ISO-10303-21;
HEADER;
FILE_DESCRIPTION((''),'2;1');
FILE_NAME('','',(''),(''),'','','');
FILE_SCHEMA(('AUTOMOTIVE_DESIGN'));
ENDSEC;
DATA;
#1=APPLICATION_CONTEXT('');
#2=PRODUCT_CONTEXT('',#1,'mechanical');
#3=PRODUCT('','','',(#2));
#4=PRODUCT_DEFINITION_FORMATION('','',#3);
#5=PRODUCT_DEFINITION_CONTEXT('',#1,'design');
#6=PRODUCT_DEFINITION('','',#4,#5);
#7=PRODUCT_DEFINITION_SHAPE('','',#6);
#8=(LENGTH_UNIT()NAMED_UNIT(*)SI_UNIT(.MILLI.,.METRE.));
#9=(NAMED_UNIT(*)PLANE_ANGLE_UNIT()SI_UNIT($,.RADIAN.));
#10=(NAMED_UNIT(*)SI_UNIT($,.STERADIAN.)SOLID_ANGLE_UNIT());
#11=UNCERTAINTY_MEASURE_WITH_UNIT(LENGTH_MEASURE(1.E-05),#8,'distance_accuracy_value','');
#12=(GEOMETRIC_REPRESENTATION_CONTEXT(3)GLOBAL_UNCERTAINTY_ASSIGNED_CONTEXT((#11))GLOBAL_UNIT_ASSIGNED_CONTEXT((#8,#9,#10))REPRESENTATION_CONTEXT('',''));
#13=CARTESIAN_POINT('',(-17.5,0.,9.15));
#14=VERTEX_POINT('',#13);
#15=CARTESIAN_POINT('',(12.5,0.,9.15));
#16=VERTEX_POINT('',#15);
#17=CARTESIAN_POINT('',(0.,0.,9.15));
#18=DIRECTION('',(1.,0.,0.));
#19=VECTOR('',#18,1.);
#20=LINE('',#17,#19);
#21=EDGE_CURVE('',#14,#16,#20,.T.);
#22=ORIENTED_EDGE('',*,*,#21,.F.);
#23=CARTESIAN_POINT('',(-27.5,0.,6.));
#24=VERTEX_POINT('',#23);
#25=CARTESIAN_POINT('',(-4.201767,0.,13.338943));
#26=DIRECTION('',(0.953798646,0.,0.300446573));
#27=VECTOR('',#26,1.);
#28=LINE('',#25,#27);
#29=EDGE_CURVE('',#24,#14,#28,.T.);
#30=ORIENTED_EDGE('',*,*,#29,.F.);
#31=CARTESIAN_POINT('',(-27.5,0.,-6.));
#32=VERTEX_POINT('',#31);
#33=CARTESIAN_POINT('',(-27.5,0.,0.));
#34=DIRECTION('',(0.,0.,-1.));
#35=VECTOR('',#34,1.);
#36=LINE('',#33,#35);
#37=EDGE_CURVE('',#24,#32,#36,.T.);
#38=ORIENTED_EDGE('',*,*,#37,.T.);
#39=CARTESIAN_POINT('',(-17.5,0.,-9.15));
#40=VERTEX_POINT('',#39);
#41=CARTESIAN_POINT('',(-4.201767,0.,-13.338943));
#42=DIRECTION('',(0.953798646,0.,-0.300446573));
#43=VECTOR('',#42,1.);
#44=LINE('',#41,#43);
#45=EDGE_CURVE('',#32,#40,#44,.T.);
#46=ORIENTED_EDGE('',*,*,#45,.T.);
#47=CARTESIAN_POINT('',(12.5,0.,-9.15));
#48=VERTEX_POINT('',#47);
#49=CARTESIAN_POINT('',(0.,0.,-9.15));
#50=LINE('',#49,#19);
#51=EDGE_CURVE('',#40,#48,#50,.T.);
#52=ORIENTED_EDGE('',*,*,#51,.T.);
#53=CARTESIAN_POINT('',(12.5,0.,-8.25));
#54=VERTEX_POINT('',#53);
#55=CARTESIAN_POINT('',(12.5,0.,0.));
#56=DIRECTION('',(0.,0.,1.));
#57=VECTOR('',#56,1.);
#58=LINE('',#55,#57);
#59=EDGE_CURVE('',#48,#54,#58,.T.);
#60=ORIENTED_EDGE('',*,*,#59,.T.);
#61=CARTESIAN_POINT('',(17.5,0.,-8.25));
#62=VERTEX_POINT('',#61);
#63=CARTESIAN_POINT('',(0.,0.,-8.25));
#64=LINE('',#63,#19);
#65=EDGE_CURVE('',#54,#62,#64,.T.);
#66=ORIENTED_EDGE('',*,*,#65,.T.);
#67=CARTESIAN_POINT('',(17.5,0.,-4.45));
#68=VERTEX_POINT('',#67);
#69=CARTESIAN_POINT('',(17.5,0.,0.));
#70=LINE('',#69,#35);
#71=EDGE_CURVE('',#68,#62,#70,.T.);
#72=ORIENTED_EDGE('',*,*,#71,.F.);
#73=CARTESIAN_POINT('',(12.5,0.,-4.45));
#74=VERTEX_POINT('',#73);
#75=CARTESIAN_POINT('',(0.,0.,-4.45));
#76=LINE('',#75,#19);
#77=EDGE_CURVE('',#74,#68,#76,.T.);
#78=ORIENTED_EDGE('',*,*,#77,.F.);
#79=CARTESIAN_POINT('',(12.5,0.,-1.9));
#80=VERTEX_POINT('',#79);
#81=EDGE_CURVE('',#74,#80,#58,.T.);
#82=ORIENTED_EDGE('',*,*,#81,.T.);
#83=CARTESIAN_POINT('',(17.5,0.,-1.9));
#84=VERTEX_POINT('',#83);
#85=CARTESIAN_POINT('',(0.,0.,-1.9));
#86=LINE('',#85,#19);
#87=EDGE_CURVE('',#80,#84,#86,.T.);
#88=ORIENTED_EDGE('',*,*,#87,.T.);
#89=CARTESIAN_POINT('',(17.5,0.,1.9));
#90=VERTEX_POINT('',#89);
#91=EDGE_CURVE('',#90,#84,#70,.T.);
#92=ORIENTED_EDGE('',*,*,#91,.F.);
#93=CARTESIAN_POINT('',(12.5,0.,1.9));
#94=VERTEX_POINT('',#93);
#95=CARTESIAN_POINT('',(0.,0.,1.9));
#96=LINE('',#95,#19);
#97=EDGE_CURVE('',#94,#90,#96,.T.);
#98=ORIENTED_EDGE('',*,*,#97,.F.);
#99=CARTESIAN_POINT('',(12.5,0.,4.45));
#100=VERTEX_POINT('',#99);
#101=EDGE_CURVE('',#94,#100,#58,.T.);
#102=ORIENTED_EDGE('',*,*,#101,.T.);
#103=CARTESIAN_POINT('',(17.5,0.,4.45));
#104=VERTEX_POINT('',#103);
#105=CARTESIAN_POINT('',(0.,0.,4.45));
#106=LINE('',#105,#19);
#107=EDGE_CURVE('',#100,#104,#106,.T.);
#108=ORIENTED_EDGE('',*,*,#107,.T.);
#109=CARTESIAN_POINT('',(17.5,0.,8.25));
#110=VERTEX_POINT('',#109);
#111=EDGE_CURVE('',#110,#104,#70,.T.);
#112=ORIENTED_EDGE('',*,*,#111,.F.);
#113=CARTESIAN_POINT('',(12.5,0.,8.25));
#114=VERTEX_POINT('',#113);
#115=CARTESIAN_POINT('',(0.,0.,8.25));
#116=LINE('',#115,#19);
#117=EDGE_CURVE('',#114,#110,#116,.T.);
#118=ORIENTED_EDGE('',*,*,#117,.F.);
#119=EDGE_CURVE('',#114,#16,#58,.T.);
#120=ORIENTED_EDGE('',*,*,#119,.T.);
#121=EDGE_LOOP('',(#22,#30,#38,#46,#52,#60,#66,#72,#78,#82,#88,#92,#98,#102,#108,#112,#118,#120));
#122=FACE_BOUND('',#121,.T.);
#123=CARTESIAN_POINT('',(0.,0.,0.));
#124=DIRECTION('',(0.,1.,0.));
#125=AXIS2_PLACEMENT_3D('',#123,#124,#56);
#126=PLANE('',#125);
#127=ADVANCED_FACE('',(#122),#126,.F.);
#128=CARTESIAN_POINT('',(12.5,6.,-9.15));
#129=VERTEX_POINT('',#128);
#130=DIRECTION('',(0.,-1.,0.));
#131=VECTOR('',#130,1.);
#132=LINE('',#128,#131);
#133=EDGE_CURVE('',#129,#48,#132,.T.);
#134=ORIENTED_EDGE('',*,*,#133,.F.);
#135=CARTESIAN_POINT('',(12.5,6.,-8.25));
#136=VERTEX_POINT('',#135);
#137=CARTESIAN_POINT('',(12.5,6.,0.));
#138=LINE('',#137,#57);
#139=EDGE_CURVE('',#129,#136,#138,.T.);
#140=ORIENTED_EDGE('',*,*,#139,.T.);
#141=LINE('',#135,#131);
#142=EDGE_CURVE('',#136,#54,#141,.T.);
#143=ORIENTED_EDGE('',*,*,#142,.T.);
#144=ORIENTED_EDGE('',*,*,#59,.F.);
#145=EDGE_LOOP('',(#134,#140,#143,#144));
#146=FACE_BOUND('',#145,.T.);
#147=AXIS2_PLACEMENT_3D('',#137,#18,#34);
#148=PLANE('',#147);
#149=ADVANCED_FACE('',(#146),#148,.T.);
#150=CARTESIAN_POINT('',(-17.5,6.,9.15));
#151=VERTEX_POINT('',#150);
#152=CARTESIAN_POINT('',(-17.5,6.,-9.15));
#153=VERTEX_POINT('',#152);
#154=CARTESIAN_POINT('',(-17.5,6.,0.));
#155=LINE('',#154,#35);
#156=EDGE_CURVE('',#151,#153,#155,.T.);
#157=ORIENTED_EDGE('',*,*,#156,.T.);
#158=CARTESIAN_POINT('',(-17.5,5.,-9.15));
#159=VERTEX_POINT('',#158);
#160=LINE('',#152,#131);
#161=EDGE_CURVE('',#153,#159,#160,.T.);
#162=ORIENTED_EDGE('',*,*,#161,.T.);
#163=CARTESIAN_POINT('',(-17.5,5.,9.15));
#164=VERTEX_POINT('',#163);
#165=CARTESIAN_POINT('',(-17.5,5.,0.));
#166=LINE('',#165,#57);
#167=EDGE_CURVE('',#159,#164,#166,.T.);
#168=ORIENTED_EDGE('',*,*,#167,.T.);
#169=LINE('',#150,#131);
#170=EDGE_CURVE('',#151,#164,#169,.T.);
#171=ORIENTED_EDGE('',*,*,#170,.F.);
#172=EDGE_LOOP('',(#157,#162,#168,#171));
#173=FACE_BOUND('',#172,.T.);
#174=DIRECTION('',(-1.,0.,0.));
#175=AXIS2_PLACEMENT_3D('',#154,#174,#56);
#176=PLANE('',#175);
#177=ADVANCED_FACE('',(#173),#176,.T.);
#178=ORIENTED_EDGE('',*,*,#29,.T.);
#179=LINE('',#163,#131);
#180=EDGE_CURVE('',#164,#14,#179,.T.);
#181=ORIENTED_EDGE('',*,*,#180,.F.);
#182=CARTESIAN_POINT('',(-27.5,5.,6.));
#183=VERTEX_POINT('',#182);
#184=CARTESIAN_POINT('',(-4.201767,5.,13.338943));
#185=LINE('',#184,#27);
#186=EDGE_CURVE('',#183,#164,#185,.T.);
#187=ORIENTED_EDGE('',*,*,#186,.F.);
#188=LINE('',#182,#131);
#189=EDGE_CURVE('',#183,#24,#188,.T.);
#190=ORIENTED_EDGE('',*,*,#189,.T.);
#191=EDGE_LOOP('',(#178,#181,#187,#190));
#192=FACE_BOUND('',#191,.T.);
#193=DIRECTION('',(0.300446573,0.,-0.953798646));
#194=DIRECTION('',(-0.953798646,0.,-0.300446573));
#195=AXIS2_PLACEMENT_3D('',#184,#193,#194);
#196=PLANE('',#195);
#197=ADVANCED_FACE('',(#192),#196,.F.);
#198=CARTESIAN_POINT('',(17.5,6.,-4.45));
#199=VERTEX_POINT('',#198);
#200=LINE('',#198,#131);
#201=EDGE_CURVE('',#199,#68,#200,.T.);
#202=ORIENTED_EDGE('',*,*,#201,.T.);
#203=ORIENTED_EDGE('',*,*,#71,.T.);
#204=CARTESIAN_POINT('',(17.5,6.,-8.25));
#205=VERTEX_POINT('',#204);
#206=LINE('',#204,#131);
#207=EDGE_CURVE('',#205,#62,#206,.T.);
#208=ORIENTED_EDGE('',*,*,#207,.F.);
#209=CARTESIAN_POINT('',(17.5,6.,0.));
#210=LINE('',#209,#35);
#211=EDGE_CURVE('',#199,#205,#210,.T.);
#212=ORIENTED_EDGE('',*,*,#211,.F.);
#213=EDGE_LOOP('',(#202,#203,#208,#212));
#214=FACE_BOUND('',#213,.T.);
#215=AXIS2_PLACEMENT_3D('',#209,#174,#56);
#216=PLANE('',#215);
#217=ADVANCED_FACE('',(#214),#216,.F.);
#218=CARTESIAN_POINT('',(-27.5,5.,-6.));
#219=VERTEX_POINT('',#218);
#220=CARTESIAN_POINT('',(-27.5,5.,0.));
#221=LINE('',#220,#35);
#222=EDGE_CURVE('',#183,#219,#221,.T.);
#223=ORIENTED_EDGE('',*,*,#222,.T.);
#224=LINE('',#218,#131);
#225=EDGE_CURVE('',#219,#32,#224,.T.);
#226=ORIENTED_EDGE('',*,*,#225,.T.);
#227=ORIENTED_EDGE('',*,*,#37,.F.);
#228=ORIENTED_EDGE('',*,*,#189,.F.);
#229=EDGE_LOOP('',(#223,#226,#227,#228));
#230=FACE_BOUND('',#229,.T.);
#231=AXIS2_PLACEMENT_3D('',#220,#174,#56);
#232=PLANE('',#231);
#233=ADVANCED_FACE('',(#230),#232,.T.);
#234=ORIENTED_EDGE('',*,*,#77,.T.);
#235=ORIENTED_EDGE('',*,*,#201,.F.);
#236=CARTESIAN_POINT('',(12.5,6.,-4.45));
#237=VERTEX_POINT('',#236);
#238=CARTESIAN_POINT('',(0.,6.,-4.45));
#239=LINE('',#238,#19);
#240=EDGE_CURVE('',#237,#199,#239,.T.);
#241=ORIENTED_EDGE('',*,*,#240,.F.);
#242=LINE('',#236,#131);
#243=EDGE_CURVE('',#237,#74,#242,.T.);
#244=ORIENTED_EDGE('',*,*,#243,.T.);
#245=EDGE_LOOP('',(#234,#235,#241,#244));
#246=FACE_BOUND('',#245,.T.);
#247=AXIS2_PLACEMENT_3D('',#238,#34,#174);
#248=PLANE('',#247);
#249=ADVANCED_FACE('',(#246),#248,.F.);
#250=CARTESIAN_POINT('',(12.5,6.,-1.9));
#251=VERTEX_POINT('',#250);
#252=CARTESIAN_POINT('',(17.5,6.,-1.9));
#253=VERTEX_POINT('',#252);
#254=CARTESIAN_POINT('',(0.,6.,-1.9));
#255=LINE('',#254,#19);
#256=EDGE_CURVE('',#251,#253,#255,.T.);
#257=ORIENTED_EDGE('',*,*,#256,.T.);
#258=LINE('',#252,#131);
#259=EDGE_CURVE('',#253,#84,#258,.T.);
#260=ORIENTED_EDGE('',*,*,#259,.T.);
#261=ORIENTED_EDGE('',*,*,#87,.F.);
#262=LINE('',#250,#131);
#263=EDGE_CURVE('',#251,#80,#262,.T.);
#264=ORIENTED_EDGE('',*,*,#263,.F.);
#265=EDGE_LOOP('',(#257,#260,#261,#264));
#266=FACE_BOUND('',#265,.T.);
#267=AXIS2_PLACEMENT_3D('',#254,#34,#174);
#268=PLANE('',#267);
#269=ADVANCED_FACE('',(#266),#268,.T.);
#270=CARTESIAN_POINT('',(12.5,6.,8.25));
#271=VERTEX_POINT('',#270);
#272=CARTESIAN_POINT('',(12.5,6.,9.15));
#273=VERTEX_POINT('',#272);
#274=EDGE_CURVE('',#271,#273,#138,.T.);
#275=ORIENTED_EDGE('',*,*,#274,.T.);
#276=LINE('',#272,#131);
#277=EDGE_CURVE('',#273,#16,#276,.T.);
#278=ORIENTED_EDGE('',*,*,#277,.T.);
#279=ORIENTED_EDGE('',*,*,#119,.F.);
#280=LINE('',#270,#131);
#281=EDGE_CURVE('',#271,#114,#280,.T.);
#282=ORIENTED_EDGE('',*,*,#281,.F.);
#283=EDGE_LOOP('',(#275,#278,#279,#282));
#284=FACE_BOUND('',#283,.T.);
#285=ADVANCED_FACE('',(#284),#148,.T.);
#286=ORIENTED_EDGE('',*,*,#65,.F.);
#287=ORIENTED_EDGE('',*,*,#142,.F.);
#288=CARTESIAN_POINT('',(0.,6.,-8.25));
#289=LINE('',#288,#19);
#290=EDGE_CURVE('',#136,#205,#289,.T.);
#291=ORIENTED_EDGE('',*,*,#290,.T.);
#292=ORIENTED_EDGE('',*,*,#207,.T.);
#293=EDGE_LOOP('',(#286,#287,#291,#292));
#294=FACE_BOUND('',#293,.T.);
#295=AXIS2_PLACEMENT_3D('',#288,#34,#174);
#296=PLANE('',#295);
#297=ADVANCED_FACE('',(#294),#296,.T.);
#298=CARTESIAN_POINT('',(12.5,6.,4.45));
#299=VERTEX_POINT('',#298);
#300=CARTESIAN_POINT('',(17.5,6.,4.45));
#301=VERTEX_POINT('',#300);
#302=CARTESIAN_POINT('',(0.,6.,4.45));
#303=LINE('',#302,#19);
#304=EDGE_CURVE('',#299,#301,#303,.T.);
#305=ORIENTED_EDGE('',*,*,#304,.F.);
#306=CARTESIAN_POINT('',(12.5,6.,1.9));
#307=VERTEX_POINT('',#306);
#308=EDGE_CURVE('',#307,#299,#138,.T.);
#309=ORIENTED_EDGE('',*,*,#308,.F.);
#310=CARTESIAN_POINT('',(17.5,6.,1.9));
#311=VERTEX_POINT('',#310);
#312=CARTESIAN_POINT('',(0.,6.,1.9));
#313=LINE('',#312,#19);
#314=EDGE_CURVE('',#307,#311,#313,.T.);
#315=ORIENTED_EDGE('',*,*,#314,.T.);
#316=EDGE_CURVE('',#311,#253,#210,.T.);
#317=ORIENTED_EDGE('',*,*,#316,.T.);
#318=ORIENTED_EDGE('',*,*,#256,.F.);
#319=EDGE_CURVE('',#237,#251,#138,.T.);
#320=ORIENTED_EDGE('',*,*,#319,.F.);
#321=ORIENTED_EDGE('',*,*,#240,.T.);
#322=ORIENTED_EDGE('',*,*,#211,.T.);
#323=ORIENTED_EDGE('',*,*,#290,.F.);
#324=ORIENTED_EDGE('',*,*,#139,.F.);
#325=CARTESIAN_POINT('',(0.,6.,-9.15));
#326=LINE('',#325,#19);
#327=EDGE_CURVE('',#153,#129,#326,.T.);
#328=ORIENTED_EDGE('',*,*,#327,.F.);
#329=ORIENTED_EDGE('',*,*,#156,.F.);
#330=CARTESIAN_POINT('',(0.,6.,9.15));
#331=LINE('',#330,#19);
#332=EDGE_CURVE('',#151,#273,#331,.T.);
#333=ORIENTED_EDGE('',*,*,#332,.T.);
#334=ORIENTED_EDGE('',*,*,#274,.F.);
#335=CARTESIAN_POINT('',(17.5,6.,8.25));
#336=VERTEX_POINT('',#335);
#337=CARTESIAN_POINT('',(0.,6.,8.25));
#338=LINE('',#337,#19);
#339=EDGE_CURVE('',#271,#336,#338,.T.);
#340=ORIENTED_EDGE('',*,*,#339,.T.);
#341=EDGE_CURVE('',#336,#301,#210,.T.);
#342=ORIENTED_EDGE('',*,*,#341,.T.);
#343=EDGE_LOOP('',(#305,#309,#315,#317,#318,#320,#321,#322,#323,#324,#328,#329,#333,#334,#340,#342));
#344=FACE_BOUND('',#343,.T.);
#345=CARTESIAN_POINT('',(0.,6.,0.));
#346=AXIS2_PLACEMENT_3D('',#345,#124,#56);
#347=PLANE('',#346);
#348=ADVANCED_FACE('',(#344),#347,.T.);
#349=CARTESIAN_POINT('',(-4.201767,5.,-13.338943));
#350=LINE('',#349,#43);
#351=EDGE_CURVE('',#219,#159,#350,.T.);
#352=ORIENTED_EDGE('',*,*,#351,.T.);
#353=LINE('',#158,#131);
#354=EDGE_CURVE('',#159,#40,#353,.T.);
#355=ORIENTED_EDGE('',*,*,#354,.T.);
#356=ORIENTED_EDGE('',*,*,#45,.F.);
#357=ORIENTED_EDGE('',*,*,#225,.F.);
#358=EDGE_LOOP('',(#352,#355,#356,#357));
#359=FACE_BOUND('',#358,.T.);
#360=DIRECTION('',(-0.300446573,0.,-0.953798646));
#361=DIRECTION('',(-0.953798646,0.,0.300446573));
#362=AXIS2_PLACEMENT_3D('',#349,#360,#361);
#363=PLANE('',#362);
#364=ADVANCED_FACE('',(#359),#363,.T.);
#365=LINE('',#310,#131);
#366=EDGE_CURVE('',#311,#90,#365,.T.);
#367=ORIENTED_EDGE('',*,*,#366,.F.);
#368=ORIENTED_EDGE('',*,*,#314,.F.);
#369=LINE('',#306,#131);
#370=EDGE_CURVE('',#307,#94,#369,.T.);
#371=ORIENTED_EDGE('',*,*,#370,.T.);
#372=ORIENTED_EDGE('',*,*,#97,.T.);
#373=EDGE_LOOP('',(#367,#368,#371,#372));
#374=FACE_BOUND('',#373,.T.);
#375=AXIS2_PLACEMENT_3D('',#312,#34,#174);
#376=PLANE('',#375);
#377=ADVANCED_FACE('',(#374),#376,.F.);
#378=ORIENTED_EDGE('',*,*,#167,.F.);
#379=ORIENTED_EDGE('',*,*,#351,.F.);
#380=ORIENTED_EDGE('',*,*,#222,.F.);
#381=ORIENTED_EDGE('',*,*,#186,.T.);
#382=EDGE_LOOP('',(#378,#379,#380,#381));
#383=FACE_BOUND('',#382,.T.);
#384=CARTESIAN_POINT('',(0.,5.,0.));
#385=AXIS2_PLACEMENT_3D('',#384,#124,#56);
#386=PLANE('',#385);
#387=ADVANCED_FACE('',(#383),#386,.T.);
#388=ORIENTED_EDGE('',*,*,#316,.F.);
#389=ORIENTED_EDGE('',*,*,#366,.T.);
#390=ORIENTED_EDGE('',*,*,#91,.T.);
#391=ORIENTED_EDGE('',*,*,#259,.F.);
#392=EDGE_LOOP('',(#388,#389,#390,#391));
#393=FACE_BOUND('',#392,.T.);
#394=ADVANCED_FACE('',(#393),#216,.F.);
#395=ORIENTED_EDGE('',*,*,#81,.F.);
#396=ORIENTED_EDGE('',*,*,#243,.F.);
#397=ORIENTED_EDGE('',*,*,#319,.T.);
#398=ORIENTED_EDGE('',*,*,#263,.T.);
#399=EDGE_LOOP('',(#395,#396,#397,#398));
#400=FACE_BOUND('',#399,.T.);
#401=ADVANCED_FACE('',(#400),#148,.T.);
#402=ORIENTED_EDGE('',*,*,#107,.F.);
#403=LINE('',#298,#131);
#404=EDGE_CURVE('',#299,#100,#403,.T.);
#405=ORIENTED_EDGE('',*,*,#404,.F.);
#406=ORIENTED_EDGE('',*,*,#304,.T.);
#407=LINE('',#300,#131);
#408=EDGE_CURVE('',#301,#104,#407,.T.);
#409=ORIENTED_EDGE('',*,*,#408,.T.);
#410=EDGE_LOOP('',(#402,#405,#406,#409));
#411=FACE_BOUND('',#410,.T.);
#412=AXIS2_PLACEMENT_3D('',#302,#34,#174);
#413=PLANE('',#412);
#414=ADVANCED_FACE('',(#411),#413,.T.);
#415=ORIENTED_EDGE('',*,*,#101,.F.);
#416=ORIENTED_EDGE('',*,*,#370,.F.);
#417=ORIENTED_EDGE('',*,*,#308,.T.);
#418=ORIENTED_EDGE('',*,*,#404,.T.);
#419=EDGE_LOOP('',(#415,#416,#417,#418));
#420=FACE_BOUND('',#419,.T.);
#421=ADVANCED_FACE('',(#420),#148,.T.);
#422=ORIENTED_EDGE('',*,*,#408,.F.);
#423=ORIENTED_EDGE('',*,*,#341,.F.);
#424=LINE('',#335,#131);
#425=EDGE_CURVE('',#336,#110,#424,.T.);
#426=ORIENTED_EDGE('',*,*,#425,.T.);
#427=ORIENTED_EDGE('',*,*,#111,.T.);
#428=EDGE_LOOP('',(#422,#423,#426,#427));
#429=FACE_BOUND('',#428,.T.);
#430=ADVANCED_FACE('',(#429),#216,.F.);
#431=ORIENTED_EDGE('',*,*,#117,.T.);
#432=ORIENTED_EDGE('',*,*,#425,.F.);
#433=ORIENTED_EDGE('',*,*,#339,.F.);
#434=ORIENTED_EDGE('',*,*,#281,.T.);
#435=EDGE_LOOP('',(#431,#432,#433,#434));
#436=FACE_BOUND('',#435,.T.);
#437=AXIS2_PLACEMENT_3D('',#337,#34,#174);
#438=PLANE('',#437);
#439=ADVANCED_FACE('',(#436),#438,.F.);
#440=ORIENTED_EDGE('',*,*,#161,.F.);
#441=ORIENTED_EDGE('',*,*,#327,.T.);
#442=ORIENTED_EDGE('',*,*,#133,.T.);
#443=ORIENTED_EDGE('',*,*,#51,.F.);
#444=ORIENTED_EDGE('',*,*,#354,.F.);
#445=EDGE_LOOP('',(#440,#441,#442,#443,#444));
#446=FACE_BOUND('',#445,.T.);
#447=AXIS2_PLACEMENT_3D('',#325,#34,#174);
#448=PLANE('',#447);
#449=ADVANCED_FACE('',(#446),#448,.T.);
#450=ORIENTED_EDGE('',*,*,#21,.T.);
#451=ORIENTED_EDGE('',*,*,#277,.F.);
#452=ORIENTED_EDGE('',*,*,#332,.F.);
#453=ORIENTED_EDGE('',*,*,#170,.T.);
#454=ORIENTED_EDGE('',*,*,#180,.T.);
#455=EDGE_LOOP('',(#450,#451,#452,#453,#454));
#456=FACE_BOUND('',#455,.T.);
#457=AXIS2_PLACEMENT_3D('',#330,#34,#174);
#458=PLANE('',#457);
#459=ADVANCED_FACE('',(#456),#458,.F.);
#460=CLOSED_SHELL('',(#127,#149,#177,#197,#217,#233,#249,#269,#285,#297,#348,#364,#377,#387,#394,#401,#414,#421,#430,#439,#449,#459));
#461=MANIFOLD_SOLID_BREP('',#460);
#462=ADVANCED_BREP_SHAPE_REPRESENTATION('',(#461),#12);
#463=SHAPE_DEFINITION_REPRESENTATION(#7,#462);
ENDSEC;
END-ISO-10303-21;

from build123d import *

# Parameters (mm, degrees)
SKETCH1_W           = 5
SKETCH1_H           = 3.8
BOSS_EXTRUDE1_DEPTH = 6
BOSS_EXTRUDE2_DEPTH = 5


with BuildPart() as part:
    # Sketch1 → Boss-Extrude1 (new body)
    with BuildSketch(Plane(origin=(0, 0, 0), x_dir=(1, 0, 0), z_dir=(0, 1, 0))):
        Polygon((12.5, 8.25), (12.5, 9.15), (-17.5, 9.15), (-17.5, -9.15), (12.5, -9.15), (12.5, -8.25), (12.5, -4.45), (12.5, -1.9), (12.5, 1.9), (12.5, 4.45), (17.5, 4.45), (17.5, 8.25), align=None)
        with Locations((15, 0)):
            Rectangle(SKETCH1_W, SKETCH1_H)
        with Locations((15, -6.35)):
            Rectangle(SKETCH1_W, SKETCH1_H)
    extrude(amount=BOSS_EXTRUDE1_DEPTH)

    # Sketch2 → Boss-Extrude2 (add)
    with BuildSketch(Plane(origin=(0, 0, 0), x_dir=(1, 0, 0), z_dir=(0, 1, 0))):
        Polygon((-17.5, 0), (-17.5, 9.15), (-27.5, 6), (-27.5, 0), align=None)
        Polygon((-17.5, -9.15), (-17.5, 0), (-27.5, 0), (-27.5, -6), align=None)
    extrude(amount=BOSS_EXTRUDE2_DEPTH)


solid = part.part
